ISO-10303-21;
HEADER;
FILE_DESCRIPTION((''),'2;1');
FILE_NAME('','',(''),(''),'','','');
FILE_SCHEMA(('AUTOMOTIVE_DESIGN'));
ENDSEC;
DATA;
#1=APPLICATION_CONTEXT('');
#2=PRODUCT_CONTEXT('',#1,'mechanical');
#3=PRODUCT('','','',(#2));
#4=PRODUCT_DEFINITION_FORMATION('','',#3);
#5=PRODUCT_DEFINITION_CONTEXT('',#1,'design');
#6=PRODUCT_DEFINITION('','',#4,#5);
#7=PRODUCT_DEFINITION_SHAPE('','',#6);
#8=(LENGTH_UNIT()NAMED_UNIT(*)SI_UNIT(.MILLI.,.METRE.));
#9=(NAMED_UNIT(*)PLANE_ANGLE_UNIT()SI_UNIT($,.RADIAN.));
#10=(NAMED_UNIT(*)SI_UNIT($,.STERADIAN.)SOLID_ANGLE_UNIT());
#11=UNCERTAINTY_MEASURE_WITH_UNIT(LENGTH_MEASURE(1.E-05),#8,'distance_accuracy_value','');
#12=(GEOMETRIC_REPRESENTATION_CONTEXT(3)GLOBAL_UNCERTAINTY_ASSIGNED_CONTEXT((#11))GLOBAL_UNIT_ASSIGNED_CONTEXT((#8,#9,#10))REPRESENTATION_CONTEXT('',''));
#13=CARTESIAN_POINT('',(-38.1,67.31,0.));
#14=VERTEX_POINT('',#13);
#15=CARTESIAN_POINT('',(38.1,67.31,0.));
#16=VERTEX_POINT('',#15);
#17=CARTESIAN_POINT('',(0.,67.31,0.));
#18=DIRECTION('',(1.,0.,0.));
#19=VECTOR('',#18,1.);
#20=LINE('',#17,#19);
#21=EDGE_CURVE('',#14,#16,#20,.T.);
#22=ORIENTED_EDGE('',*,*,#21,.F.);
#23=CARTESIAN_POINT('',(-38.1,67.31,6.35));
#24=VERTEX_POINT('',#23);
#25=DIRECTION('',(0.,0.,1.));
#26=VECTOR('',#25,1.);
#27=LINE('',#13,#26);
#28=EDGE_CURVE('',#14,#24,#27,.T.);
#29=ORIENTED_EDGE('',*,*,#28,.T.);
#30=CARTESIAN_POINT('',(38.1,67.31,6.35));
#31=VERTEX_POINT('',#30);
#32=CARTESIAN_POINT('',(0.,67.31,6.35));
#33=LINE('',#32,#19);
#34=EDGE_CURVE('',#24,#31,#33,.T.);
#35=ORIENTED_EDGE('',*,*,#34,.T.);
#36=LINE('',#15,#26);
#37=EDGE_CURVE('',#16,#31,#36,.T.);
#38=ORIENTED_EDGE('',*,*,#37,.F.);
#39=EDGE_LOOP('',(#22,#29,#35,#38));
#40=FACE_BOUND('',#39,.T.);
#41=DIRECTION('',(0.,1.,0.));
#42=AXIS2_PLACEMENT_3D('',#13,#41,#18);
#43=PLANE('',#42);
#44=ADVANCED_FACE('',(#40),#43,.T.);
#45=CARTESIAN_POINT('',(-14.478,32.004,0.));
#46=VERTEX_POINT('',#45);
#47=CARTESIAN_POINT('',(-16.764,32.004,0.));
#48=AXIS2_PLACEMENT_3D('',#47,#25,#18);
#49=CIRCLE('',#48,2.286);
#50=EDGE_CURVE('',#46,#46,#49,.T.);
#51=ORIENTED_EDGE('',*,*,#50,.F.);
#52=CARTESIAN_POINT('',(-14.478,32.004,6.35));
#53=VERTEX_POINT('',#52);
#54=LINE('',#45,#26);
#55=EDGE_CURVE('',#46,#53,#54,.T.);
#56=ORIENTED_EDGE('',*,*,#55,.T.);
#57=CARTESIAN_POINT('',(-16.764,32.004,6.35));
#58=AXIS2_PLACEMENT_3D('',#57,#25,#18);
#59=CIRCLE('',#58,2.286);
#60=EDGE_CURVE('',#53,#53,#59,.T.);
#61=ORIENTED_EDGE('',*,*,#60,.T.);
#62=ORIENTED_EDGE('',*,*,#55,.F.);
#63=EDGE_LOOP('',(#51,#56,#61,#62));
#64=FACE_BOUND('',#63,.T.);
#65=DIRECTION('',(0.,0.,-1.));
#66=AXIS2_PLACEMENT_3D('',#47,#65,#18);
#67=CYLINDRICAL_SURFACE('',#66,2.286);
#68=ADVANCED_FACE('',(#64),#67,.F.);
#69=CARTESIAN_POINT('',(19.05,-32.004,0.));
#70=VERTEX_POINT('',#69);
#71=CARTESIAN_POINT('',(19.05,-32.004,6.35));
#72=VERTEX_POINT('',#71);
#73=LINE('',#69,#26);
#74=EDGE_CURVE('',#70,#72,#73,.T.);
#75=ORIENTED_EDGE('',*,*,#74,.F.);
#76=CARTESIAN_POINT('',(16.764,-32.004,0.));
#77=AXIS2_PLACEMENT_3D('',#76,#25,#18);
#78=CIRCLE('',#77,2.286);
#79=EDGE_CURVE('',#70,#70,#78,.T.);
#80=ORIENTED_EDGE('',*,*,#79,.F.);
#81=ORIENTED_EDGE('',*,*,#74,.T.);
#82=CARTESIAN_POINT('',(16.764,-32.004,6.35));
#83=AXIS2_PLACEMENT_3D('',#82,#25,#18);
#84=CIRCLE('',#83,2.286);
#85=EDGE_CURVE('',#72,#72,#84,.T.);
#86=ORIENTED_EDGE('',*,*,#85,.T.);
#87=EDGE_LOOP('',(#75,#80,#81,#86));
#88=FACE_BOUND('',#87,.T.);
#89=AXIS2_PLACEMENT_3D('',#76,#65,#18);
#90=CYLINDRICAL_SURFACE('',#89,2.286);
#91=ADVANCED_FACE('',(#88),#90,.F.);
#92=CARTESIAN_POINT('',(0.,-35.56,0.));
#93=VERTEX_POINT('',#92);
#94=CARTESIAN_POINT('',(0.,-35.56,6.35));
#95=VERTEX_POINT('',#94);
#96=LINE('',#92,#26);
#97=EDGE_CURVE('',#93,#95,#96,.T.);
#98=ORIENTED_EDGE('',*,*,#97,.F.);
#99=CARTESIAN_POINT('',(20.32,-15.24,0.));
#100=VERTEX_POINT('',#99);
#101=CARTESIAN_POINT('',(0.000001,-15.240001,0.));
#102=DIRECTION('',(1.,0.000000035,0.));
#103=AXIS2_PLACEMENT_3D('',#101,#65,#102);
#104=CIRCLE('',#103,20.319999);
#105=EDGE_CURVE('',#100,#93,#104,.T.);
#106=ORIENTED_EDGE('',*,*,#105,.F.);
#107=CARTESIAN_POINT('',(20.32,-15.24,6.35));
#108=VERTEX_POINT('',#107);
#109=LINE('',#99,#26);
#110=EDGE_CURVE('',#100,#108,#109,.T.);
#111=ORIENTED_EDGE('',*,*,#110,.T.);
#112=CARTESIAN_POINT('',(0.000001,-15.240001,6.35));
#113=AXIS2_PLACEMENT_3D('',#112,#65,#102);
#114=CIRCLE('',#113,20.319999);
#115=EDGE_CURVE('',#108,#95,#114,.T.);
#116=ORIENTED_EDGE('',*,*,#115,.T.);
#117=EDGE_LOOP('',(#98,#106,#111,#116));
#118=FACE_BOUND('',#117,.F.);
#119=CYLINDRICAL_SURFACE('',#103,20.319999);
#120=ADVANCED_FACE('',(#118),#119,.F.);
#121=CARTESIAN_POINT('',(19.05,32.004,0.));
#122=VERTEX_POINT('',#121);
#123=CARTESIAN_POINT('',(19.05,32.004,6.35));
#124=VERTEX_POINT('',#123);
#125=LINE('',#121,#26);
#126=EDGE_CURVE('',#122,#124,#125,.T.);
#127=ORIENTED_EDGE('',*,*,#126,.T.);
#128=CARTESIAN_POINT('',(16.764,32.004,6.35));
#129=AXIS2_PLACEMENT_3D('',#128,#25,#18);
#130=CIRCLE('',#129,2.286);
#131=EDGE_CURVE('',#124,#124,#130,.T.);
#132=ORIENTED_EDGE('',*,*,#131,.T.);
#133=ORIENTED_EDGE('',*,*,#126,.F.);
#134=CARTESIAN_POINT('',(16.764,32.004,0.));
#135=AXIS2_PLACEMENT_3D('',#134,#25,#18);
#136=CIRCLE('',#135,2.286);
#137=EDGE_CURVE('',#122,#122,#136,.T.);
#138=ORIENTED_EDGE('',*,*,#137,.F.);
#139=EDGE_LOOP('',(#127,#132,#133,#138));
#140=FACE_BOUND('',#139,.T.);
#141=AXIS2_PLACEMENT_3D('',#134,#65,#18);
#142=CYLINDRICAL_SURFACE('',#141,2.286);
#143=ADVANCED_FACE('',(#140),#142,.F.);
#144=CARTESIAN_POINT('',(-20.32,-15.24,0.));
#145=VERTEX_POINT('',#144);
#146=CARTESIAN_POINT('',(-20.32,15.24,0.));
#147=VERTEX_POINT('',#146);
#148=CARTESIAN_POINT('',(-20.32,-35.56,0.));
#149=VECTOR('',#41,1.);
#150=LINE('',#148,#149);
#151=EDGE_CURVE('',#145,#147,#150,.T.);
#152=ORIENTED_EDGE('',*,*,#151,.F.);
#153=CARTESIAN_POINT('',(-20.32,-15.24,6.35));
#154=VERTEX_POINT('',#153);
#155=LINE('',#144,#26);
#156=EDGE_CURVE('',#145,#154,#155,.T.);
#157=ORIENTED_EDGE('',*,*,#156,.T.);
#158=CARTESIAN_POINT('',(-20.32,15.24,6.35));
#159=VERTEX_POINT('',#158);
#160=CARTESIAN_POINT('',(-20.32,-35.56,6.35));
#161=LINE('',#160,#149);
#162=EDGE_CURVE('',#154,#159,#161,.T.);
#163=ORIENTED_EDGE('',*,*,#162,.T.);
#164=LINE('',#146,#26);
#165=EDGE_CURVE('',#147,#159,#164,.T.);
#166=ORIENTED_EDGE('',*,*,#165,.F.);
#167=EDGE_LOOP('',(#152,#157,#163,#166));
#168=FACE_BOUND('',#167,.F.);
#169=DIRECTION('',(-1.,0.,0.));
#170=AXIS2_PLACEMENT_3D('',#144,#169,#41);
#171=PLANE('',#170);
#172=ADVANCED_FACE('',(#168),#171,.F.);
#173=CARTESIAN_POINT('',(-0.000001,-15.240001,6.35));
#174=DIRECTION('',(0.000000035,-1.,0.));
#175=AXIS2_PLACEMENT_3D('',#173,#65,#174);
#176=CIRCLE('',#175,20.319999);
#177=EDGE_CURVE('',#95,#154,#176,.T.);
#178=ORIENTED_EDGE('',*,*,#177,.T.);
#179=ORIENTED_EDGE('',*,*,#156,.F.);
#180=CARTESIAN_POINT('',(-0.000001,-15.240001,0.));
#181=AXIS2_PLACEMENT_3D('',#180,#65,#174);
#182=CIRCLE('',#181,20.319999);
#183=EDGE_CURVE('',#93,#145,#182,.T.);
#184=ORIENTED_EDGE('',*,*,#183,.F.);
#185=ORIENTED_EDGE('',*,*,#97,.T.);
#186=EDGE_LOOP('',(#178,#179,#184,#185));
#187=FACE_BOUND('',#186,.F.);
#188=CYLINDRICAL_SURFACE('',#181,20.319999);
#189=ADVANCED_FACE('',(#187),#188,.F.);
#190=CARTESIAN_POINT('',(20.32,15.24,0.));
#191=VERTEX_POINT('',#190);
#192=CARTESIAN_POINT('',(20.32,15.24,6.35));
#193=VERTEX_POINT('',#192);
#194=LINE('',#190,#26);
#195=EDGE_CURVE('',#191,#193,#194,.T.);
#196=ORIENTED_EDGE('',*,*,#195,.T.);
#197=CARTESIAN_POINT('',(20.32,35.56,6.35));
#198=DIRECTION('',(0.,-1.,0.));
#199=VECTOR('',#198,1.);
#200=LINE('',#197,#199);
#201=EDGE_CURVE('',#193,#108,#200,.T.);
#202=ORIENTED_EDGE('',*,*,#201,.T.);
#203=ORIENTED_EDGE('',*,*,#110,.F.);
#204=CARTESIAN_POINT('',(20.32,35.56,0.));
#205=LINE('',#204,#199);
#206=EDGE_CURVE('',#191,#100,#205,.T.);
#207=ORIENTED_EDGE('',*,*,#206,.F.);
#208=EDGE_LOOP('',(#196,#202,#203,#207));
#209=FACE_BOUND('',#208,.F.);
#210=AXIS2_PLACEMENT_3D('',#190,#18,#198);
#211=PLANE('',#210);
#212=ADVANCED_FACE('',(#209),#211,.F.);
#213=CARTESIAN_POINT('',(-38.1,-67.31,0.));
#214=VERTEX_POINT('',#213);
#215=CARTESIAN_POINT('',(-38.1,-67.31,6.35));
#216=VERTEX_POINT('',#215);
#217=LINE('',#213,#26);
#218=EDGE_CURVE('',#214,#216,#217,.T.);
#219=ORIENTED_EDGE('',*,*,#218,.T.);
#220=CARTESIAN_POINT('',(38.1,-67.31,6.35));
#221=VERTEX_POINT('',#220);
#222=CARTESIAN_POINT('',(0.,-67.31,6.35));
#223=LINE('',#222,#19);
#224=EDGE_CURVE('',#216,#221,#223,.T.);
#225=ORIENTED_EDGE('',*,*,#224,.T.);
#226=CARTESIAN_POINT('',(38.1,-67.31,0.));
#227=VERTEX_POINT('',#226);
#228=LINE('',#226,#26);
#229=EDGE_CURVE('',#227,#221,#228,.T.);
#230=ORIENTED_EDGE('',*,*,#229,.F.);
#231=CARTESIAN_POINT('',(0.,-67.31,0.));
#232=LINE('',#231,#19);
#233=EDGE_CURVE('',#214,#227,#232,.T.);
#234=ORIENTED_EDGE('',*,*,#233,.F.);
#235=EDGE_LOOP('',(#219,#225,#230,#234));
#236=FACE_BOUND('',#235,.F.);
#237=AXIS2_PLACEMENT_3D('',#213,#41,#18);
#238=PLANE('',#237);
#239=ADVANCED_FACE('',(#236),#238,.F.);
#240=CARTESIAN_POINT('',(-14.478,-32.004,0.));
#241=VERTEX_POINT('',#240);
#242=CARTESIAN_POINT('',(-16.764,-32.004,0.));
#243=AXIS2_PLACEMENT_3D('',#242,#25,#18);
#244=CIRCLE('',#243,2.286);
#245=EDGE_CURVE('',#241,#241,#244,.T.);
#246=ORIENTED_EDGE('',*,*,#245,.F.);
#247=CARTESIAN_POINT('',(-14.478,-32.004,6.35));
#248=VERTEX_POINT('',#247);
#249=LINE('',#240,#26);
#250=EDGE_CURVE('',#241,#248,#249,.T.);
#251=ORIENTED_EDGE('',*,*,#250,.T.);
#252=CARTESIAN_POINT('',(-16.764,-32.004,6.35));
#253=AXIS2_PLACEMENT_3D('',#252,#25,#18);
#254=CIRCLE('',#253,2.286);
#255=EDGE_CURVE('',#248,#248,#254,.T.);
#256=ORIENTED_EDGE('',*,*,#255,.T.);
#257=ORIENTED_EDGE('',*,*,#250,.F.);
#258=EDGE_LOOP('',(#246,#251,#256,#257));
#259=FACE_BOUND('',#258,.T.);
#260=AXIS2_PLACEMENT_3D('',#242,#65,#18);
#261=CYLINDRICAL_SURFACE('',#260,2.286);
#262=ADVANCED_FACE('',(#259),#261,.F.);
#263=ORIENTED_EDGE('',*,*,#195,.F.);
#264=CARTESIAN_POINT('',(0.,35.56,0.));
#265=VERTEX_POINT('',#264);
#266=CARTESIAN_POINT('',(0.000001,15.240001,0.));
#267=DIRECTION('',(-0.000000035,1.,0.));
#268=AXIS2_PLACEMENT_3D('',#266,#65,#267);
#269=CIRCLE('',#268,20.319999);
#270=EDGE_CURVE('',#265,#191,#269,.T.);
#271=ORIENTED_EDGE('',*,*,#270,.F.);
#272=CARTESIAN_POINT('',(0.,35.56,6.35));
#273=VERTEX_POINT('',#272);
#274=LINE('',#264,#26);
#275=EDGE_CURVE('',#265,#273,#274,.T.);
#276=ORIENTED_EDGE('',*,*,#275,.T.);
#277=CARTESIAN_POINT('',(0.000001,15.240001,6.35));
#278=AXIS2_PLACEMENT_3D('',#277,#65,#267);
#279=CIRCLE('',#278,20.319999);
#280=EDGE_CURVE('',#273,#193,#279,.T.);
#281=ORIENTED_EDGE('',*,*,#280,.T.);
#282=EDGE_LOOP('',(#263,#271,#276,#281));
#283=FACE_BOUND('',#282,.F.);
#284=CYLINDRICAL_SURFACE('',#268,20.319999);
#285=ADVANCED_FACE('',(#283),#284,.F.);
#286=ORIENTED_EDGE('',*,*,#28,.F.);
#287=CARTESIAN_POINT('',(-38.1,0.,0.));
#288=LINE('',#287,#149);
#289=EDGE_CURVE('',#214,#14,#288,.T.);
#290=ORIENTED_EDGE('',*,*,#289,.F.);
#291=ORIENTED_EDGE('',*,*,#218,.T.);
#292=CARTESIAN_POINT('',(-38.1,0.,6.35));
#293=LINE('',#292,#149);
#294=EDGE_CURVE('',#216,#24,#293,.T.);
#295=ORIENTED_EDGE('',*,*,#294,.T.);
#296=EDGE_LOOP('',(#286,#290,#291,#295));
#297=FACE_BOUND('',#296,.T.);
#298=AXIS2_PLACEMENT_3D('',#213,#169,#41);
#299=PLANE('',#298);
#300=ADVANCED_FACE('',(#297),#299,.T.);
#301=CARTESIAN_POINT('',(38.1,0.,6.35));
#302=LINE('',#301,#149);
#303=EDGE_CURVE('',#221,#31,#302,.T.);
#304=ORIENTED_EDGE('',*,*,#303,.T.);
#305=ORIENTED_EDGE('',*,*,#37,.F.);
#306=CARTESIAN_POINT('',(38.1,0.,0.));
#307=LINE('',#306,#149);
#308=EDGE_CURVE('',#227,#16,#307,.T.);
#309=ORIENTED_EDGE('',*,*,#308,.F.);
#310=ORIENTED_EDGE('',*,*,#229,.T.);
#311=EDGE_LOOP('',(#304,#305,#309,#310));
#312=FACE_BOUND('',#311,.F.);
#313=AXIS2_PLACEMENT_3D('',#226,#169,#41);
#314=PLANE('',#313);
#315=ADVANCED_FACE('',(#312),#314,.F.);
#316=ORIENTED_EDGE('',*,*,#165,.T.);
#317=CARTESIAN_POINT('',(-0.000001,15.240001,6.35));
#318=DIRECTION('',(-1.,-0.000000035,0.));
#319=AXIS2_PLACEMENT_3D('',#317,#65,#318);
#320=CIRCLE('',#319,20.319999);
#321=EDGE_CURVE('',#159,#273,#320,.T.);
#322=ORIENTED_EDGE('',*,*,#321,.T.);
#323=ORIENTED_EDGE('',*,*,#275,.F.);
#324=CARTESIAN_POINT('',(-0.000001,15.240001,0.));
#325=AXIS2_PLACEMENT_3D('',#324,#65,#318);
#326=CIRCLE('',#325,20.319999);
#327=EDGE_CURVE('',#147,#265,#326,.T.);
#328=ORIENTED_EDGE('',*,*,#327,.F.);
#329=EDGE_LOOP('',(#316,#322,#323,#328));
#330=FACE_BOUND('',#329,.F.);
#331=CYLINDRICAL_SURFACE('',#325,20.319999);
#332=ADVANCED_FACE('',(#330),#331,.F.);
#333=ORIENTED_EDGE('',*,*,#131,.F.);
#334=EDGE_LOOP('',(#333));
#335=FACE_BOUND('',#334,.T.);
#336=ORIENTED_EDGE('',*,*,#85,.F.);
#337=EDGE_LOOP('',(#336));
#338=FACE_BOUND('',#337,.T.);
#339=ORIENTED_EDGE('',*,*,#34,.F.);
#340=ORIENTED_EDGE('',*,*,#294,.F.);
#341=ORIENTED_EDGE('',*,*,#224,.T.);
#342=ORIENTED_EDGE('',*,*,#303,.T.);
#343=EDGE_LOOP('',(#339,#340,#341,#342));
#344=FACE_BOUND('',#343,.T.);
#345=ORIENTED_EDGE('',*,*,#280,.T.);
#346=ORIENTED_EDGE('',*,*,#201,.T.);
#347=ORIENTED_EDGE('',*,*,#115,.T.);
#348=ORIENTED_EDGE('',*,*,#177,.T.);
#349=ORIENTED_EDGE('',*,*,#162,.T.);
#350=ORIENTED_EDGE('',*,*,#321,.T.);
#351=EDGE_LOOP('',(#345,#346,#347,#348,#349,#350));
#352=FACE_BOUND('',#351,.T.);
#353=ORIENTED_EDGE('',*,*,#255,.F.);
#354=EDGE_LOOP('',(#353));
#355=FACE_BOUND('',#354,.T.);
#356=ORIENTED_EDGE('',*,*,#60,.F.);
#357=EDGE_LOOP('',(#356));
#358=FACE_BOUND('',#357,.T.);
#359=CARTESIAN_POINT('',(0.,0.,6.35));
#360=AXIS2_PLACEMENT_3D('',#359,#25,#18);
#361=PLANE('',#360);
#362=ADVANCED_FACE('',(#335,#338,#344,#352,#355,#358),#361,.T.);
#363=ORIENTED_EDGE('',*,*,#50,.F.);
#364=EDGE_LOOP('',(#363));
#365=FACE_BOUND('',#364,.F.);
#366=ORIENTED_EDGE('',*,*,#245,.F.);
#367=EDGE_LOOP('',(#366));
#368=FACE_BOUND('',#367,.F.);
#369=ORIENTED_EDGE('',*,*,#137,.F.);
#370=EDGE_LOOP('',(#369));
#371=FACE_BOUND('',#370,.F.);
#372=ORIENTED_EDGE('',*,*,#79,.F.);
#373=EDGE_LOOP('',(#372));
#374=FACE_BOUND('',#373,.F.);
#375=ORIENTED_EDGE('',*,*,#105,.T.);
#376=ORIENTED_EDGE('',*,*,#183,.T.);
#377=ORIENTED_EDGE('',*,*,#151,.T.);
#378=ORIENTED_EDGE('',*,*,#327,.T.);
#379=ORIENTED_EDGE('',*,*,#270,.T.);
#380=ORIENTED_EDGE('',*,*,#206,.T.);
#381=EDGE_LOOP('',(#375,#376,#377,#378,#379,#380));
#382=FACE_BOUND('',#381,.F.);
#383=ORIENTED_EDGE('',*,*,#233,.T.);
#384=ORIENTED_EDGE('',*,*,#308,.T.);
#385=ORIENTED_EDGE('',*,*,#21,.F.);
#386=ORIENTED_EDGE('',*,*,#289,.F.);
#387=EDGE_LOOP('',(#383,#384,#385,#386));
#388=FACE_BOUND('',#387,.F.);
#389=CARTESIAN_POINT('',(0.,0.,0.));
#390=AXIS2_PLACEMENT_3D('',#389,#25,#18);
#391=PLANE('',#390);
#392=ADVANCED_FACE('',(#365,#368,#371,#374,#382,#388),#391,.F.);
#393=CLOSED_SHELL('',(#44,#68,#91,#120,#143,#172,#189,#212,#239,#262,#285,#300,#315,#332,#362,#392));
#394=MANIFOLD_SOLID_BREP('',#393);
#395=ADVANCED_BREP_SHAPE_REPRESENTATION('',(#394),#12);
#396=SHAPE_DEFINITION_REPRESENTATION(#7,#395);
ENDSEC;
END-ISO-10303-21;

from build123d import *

# Parameters (mm, degrees)
F0_W     = 76.2
F0_H     = 134.62
F0_R     = 2.286
F1_DEPTH = 6.35


with BuildPart() as f1:
    # F0 (on Top) → F1 (new body)
    with BuildSketch(Plane.XY):
        Rectangle(F0_W, F0_H)
        Polygon((0, 35.56), (20.32, 35.56), (20.32, 15.24), (20.32, -15.24), (20.32, -35.56), (0, -35.56), (-20.32, -35.56), (-20.32, -15.24), (-20.32, 15.24), (-20.32, 35.56), align=None, mode=Mode.SUBTRACT)
        with BuildLine():
            ThreePointArc((0, -35.56), (-14.36841, -29.60841), (-20.32, -15.24))
            Line((-20.32, -15.24), (-20.32, -35.56))
            Line((-20.32, -35.56), (0, -35.56))
        make_face()
        with Locations((-16.764, -32.004)):
            Circle(F0_R, mode=Mode.SUBTRACT)
        with BuildLine():
            Line((20.32, -35.56), (20.32, -15.24))
            ThreePointArc((20.32, -15.24), (14.36841, -29.60841), (0, -35.56))
            Line((0, -35.56), (20.32, -35.56))
        make_face()
        with Locations((16.764, -32.004)):
            Circle(F0_R, mode=Mode.SUBTRACT)
        with BuildLine():
            ThreePointArc((-20.32, 15.24), (-14.36841, 29.60841), (0, 35.56))
            Line((0, 35.56), (-20.32, 35.56))
            Line((-20.32, 35.56), (-20.32, 15.24))
        make_face()
        with Locations((-16.764, 32.004)):
            Circle(F0_R, mode=Mode.SUBTRACT)
        with BuildLine():
            Line((20.32, 15.24), (20.32, 35.56))
            Line((20.32, 35.56), (0, 35.56))
            ThreePointArc((0, 35.56), (14.36841, 29.60841), (20.32, 15.24))
        make_face()
        with Locations((16.764, 32.004)):
            Circle(F0_R, mode=Mode.SUBTRACT)
    extrude(amount=F1_DEPTH)


solid = f1.part
